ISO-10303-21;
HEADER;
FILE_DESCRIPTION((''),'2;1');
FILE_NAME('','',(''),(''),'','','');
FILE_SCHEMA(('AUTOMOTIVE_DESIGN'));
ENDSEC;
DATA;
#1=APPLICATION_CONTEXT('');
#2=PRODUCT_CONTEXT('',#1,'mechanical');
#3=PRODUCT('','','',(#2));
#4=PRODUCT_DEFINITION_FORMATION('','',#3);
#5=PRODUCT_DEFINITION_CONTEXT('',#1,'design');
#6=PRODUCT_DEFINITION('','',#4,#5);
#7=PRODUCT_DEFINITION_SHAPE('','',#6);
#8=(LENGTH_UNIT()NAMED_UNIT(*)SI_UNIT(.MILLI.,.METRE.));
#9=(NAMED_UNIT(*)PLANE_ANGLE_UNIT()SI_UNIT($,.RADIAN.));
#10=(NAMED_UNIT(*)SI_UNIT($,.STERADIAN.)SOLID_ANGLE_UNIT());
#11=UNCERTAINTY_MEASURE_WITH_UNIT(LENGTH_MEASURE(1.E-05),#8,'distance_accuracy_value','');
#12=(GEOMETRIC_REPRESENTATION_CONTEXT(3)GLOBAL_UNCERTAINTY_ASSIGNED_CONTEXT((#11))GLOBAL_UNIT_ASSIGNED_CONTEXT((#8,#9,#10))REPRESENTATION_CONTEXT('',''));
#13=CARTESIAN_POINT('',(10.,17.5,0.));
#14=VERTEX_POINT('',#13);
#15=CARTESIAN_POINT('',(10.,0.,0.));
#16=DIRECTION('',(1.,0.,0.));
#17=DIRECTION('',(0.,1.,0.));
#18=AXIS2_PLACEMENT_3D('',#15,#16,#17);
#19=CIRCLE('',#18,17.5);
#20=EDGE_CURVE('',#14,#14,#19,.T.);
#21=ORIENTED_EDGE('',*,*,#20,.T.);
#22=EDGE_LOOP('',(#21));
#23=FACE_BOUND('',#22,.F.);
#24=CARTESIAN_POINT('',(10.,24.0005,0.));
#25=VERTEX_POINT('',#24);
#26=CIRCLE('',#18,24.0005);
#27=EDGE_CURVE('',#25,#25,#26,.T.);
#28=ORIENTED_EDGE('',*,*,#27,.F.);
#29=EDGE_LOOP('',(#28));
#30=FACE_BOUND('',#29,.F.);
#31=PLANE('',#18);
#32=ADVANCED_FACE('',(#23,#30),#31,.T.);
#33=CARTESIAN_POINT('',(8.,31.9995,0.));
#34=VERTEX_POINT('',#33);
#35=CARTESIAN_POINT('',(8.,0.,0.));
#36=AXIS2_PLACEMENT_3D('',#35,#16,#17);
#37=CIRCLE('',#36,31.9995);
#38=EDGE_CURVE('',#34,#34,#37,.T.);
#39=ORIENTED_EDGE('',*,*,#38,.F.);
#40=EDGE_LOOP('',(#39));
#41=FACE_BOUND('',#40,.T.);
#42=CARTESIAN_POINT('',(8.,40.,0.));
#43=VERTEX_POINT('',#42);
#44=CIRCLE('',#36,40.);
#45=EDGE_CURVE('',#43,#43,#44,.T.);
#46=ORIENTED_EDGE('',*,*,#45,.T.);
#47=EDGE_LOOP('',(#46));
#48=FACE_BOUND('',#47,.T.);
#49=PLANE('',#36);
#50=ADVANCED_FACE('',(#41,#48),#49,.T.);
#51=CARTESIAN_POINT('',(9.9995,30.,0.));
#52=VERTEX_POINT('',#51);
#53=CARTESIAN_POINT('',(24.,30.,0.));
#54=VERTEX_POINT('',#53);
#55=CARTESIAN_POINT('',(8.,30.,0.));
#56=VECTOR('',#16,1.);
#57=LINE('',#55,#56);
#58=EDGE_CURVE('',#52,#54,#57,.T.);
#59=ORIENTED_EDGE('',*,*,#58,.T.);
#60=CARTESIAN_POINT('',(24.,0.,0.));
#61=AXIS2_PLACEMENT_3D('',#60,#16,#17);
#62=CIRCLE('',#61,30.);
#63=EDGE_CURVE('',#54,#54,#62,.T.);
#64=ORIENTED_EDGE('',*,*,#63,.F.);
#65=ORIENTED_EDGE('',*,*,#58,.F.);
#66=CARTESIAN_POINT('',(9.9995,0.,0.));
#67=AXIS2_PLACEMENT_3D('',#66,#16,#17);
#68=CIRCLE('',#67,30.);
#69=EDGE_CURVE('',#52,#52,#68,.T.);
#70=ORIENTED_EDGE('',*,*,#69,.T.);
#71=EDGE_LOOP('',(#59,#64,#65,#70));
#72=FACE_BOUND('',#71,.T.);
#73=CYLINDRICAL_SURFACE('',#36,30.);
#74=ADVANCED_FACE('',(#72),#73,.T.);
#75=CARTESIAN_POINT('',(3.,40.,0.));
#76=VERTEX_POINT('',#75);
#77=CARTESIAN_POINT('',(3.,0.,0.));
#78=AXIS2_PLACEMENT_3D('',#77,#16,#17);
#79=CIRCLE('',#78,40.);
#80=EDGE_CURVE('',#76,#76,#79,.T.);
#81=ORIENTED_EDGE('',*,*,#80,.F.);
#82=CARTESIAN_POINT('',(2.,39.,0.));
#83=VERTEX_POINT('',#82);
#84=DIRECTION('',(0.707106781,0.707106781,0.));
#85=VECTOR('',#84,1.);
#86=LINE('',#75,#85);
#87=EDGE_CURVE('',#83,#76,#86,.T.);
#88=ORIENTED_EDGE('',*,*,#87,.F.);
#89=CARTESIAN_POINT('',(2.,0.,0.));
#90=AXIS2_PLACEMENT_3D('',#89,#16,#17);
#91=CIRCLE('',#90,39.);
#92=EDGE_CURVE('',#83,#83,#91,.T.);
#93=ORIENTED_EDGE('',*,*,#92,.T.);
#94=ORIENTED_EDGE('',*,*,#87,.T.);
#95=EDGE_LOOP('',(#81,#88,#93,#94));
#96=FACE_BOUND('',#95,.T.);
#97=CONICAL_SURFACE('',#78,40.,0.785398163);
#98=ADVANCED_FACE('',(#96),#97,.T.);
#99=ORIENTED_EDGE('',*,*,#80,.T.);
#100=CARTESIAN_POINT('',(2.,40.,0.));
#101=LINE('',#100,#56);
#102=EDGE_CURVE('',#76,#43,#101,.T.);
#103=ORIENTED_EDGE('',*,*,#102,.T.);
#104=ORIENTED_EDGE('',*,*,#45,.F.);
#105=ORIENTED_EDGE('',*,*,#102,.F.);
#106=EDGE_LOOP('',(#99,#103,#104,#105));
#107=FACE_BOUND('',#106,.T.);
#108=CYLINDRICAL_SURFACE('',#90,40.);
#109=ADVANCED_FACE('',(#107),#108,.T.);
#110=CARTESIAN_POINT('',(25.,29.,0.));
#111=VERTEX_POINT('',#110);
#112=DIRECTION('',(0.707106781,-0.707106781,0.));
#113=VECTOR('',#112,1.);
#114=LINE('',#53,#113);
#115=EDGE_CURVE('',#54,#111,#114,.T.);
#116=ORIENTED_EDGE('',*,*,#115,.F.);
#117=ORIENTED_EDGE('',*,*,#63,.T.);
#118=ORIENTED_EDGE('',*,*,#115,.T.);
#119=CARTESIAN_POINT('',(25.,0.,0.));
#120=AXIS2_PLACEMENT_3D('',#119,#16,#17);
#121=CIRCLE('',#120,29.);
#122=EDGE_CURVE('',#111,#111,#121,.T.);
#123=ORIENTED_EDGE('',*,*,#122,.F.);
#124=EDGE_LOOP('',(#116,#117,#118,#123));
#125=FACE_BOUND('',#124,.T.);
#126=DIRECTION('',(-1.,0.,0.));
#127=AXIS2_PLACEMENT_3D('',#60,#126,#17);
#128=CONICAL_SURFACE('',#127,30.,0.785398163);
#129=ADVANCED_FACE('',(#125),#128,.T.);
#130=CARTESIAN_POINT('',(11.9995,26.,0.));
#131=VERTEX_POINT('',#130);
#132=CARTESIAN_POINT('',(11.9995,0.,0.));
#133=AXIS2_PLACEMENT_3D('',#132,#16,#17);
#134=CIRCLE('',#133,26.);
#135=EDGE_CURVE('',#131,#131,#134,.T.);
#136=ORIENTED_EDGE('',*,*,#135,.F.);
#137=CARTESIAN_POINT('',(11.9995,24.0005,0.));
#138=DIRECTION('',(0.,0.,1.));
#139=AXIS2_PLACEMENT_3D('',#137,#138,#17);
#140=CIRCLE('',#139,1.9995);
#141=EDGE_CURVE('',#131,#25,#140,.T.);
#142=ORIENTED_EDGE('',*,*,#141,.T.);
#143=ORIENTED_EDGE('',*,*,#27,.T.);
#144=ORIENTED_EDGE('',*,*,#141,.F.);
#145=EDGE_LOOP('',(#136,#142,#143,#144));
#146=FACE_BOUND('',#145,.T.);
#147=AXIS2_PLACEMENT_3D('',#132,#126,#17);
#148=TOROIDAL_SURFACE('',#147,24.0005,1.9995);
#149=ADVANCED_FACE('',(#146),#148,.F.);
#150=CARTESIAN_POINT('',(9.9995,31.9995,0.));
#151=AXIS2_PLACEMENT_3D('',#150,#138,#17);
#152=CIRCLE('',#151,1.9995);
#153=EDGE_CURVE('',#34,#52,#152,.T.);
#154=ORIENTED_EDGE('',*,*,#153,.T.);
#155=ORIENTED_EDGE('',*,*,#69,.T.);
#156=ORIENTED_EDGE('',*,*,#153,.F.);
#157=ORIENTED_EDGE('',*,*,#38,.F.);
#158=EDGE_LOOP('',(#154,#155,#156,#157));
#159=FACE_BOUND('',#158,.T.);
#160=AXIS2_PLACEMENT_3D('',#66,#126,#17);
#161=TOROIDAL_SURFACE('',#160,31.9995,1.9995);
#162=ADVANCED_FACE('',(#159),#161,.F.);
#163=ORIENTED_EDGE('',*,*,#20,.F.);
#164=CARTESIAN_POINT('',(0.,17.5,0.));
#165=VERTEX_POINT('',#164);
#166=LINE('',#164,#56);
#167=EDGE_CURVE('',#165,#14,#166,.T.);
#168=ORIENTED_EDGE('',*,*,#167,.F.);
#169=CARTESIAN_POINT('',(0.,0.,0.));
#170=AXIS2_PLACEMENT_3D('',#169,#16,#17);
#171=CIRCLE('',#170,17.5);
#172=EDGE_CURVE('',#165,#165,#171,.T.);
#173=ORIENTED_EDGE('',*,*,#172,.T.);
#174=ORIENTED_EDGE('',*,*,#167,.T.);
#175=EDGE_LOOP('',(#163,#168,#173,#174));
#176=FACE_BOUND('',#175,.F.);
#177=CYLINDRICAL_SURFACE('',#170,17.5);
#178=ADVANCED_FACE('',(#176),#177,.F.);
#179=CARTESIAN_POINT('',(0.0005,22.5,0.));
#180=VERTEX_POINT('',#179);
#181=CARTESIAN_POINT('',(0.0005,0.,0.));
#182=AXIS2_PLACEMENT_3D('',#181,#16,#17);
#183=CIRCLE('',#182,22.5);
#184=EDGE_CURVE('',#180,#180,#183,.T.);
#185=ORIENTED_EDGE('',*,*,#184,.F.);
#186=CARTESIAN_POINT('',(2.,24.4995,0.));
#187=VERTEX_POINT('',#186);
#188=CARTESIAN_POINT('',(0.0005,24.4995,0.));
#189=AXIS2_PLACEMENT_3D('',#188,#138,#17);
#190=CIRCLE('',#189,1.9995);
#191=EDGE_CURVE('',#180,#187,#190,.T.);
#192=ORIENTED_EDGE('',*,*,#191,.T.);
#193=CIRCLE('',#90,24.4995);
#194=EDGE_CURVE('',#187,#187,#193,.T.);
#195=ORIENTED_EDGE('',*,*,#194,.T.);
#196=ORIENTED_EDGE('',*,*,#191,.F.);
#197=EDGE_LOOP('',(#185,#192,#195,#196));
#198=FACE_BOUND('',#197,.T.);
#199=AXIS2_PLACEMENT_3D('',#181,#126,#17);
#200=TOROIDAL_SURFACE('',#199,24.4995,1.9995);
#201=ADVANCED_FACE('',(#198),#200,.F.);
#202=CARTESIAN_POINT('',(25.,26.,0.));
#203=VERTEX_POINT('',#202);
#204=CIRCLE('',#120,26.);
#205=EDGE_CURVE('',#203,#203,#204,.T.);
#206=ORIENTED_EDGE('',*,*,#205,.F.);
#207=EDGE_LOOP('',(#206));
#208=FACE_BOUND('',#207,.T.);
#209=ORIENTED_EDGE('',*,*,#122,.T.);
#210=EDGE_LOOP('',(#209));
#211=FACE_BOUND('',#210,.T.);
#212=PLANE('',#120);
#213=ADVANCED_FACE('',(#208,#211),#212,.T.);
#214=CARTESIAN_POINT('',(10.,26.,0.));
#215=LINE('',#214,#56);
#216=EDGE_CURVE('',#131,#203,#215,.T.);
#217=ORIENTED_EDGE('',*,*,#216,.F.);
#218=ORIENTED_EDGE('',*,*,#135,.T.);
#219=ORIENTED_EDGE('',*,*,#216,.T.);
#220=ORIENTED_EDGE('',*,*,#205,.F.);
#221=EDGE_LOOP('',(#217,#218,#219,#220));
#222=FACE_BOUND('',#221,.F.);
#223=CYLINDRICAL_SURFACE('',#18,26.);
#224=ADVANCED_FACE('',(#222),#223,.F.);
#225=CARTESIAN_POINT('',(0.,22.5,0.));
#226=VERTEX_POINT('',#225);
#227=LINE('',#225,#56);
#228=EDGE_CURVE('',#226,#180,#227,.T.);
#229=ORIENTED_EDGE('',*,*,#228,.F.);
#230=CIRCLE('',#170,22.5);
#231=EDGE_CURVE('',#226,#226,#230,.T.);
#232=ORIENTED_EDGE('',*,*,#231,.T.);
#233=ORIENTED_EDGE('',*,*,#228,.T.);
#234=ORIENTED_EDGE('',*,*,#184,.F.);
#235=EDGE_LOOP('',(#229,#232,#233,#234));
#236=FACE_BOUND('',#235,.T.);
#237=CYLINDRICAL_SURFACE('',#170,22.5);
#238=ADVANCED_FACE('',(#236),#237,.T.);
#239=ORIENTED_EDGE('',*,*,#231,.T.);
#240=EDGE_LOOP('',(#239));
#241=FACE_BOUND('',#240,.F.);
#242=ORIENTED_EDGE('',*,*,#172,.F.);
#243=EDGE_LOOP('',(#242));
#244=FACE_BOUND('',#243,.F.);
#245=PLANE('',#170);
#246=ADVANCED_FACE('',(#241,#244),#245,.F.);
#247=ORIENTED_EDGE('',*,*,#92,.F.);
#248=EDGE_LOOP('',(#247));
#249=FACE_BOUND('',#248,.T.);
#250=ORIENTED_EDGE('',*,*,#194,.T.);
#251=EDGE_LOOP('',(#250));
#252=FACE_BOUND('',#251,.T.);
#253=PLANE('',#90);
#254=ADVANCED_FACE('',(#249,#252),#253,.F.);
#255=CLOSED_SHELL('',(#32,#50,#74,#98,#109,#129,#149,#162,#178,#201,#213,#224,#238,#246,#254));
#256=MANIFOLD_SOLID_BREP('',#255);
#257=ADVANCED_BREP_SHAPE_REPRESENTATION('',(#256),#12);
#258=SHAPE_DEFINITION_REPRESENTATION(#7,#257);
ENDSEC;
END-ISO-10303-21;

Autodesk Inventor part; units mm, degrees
ref_plane "YZ Plane" through (0, 0, 0) normal (1, 0, 0) x (0, 1, 0)
ref_plane "XZ Plane" through (0, 0, 0) normal (0, 1, 0) x (-1, 0, 0)
ref_plane "XY Plane" through (0, 0, 0) normal (0, 0, 1) x (1, 0, 0)
sketch "Sketch1" plane through (0, 0, 0) normal (0, 0, 1) x (1, 0, 0)
  line L0 (0, 0) -> (23.0859, 0)
  line L1 (0, 17.5) -> (10, 17.5)
  line L2 (10, 17.5) -> (10, 26)
  line L3 (10, 26) -> (25, 26)
  line L4 (0, 22.5) -> (0, 17.5)
  line L5 (2, 22.5) -> (2, 40)
  line L6 (2, 40) -> (8, 40)
  line L7 (8, 40) -> (8, 30)
  line L8 (8, 30) -> (25, 30)
  line L9 (25, 30) -> (25, 26)
  line L10 (0, 22.5) -> (2, 22.5)
  dimension "d0" = 35
  dimension "d1" = 52
  dimension "d2" = 15
  dimension "d3" = 6
  dimension "d4" = 80
  dimension "d5" = 60
  dimension "d6" = 45
  dimension "d7" = 25
  dimension "d8" = 8
revolve "Revolution1" add sketch "Sketch1" angle 360 about axis through (0, 0, 0) along (1, 0, 0)
fillet "Fillet1" radius 2 3 edges at (2, -22.5, 0) (8, -30, 0) (10, -26, 0)
chamfer "Chamfer1" distance 1 angle 45 2 edges at (25, -30, 0) (2, -40, 0)
properties part number "CoverOutput"
